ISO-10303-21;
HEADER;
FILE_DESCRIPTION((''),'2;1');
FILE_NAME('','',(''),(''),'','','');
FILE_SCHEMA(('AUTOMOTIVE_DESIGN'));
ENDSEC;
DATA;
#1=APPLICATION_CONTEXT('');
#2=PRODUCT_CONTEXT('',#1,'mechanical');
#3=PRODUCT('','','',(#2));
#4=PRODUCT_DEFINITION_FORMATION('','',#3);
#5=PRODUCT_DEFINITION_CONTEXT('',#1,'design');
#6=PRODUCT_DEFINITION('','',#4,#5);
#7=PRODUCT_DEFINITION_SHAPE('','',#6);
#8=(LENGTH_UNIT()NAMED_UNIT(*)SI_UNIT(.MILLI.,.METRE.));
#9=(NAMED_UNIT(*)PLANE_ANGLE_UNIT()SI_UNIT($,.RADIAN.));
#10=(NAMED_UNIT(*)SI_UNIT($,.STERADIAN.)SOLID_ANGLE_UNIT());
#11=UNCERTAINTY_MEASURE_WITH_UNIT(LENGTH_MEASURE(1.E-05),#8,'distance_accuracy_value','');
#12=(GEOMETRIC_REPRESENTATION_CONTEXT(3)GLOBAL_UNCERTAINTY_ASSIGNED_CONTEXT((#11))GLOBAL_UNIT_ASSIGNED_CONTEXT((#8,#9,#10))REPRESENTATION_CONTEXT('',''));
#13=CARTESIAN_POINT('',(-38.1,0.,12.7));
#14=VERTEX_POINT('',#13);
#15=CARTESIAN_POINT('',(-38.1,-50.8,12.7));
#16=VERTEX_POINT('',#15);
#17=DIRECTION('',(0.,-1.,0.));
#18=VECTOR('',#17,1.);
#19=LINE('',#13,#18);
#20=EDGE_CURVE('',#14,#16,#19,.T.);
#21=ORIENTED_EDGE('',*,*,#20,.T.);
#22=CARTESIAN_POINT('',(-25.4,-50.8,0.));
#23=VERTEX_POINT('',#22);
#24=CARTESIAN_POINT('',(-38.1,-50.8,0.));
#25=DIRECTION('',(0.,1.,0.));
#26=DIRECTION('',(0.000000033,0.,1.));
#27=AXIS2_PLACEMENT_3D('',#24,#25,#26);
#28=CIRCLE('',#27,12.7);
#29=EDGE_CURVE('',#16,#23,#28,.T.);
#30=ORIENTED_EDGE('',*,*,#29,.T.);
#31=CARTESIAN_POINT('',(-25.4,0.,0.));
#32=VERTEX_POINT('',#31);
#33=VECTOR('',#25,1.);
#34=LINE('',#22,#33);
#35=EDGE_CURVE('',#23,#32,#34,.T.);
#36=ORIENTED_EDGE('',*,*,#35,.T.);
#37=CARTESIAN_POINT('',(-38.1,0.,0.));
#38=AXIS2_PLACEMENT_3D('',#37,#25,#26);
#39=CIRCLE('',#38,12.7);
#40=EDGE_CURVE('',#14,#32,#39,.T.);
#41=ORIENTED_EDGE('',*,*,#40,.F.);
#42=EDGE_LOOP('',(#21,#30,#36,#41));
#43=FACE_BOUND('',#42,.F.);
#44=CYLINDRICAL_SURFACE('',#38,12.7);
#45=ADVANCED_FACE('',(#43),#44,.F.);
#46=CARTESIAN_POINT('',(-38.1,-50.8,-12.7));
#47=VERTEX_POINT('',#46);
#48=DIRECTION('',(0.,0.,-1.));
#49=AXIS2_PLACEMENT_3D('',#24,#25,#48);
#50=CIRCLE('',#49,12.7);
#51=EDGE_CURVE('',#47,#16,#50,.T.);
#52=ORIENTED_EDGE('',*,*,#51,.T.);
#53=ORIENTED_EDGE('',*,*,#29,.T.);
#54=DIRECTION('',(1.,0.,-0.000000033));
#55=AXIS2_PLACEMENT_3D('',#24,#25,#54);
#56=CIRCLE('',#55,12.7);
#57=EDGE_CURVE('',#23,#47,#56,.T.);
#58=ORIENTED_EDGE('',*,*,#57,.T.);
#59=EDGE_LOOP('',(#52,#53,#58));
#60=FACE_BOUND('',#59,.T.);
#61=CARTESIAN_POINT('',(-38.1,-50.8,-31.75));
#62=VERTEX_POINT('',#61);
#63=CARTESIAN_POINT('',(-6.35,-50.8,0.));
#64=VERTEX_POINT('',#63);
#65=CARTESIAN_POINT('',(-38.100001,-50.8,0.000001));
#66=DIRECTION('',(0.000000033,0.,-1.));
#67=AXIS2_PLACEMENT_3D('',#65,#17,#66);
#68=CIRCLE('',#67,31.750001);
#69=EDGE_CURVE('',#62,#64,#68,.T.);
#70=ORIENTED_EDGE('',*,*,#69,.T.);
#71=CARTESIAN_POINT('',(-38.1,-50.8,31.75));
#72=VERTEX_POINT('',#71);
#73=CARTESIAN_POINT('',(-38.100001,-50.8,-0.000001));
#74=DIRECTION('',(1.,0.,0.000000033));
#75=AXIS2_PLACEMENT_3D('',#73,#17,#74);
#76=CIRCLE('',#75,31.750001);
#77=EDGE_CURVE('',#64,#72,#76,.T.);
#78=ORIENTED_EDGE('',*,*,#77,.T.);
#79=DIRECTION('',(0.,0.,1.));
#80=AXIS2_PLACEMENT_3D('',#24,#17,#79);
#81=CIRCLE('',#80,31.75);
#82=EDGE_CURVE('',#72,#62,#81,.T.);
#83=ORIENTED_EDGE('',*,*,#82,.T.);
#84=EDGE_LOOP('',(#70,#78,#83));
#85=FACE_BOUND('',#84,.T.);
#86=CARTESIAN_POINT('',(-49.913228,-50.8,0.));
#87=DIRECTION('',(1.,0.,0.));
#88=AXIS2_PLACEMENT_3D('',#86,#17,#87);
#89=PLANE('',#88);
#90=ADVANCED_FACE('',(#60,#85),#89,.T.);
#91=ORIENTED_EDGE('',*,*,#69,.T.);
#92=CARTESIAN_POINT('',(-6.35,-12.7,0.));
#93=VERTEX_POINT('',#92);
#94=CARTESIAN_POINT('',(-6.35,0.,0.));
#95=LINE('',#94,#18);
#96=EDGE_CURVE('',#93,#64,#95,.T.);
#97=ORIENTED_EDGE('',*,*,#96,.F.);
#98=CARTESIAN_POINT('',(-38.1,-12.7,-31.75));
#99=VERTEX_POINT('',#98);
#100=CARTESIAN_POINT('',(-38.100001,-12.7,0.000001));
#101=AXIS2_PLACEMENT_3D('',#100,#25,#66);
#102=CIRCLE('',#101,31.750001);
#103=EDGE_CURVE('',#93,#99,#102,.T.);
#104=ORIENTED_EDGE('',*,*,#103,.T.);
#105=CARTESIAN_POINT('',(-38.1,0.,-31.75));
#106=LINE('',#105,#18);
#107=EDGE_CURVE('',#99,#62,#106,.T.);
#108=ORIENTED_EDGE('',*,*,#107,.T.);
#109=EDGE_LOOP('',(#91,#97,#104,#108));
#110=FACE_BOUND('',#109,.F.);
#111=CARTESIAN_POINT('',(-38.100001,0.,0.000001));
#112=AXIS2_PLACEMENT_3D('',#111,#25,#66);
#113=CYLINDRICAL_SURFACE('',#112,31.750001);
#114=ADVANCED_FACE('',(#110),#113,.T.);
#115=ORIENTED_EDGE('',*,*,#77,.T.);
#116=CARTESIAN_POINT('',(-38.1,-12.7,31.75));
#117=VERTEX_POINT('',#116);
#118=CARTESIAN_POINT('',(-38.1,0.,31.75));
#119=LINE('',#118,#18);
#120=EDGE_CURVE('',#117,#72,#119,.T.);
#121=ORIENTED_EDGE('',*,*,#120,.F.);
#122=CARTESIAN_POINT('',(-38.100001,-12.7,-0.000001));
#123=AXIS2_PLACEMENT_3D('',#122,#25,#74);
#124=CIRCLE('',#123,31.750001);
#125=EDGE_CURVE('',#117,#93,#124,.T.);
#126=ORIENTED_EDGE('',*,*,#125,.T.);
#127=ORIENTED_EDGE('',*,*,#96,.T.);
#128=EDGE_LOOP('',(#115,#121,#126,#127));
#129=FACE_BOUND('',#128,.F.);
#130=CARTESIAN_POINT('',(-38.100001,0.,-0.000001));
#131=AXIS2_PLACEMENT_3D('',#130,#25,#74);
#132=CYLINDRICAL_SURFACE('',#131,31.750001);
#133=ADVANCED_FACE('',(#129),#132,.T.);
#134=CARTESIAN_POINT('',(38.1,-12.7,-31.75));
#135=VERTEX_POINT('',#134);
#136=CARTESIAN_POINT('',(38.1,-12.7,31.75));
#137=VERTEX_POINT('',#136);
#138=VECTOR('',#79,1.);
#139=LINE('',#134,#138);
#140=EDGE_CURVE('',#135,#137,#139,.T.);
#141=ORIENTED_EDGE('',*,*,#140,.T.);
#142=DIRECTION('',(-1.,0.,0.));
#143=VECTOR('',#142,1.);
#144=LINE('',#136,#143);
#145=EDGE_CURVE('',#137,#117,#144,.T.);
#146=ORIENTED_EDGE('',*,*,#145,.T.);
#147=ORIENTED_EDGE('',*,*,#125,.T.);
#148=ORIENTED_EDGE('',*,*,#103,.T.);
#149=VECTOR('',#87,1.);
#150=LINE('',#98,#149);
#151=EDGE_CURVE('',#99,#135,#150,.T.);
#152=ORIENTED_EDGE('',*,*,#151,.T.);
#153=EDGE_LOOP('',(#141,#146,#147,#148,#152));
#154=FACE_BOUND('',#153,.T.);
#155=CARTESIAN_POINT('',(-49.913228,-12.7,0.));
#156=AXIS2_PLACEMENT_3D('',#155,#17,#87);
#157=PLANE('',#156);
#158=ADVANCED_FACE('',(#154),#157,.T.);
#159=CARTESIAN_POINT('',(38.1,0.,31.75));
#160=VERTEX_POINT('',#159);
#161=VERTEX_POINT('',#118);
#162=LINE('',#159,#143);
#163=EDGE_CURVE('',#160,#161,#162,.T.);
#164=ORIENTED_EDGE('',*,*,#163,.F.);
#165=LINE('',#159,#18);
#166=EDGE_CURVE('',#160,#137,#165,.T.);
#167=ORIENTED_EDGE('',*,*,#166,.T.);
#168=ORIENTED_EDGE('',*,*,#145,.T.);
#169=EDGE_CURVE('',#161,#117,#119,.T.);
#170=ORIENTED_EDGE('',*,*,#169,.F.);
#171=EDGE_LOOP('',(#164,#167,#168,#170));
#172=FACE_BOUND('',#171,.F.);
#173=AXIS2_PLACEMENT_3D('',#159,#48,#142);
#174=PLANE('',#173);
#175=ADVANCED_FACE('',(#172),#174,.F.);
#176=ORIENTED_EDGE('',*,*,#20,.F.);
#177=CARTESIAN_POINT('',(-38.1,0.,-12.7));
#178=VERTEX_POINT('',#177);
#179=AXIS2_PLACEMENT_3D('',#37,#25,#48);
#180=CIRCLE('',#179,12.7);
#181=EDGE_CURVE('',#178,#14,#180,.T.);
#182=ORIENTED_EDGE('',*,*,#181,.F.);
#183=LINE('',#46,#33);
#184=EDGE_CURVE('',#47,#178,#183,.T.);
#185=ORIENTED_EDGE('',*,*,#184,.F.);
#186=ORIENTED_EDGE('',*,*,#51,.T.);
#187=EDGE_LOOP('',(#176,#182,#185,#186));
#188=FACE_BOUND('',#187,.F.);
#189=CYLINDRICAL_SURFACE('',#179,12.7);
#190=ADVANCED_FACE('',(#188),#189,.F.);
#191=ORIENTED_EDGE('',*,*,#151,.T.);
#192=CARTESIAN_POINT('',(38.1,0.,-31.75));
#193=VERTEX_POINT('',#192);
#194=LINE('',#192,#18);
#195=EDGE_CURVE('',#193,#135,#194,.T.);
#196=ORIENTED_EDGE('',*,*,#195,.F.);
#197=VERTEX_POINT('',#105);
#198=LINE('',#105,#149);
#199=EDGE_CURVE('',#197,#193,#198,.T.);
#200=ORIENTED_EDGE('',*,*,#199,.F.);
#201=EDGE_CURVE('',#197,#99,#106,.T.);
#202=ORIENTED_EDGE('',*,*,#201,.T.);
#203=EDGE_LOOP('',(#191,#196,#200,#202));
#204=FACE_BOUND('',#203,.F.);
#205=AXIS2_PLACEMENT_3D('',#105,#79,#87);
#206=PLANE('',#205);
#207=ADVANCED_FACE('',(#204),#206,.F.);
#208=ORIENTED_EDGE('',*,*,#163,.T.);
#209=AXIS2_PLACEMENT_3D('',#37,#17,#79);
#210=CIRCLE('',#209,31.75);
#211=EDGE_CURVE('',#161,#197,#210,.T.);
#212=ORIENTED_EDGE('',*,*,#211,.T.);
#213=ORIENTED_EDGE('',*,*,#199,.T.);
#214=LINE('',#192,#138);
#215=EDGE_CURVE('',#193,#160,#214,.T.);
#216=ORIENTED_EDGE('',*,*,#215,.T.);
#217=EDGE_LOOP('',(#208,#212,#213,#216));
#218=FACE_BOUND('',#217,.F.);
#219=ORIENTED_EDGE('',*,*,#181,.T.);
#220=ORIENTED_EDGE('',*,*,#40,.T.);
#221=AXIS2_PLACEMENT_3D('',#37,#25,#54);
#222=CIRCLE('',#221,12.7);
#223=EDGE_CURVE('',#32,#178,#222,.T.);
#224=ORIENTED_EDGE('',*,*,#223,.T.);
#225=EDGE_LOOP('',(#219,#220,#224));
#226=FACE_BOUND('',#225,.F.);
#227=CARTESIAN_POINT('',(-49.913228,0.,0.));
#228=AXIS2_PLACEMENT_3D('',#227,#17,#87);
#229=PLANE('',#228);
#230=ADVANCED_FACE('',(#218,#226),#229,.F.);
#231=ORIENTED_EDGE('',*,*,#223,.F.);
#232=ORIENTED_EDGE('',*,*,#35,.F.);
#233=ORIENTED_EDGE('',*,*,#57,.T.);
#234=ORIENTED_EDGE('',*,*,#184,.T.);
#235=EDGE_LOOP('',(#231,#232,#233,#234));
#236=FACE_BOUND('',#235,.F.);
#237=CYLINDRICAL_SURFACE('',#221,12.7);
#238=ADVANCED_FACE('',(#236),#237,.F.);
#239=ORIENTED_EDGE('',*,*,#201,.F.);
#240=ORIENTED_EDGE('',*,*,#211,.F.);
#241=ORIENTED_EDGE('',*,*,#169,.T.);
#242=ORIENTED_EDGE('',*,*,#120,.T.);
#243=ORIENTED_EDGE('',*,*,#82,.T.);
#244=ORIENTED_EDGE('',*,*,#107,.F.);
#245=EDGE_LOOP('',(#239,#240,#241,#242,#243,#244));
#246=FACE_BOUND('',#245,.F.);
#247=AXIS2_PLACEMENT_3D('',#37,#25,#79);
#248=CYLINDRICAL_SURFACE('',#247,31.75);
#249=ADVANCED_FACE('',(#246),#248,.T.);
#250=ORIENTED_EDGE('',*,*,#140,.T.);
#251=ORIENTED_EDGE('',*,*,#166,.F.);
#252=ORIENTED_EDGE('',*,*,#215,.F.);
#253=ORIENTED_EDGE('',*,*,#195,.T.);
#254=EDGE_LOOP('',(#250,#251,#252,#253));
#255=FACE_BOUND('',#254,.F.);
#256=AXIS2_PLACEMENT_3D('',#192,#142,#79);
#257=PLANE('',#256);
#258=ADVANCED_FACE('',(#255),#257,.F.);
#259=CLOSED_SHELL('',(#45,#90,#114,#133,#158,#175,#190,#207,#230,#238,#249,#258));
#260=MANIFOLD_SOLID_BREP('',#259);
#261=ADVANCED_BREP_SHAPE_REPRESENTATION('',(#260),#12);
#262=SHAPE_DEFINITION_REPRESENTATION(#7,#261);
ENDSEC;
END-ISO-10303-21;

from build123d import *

# Parameters (mm, degrees)
F1_DEPTH = 12.7
F2_DEPTH = 50.8


with BuildPart() as f1:
    # F0 (on Front) → F1 (new body)
    with BuildSketch(Plane.XZ):
        with BuildLine():
            ThreePointArc((-38.1, 31.75), (-69.85, 0), (-38.1, -31.75))
            Line((-38.1, -31.75), (-38.1, -12.7))
            ThreePointArc((-38.1, -12.7), (-50.8, 0), (-38.1, 12.7))
            Line((-38.1, 12.7), (-38.1, 31.75))
        make_face()
        with BuildLine():
            ThreePointArc((-6.35, 0), (-15.64936, -22.45064), (-38.1, -31.75))
            Line((-38.1, -31.75), (38.1, -31.75))
            Line((38.1, -31.75), (38.1, 31.75))
            Line((38.1, 31.75), (-38.1, 31.75))
            ThreePointArc((-38.1, 31.75), (-15.64936, 22.45064), (-6.35, 0))
        make_face()
        with BuildLine():
            Line((-38.1, -12.7), (-38.1, -31.75))
            ThreePointArc((-38.1, -31.75), (-15.64936, -22.45064), (-6.35, 0))
            ThreePointArc((-6.35, 0), (-15.64936, 22.45064), (-38.1, 31.75))
            Line((-38.1, 31.75), (-38.1, 12.7))
            ThreePointArc((-38.1, 12.7), (-29.119744, 8.980256), (-25.4, 0))
            ThreePointArc((-25.4, 0), (-29.119744, -8.980256), (-38.1, -12.7))
        make_face()
    extrude(amount=F1_DEPTH)

    # F0 (on Front) → F2 (join)
    with BuildSketch(Plane.XZ):
        with BuildLine():
            ThreePointArc((-38.1, 31.75), (-69.85, 0), (-38.1, -31.75))
            Line((-38.1, -31.75), (-38.1, -12.7))
            ThreePointArc((-38.1, -12.7), (-50.8, 0), (-38.1, 12.7))
            Line((-38.1, 12.7), (-38.1, 31.75))
        make_face()
        with BuildLine():
            Line((-38.1, -12.7), (-38.1, -31.75))
            ThreePointArc((-38.1, -31.75), (-15.64936, -22.45064), (-6.35, 0))
            ThreePointArc((-6.35, 0), (-15.64936, 22.45064), (-38.1, 31.75))
            Line((-38.1, 31.75), (-38.1, 12.7))
            ThreePointArc((-38.1, 12.7), (-29.119744, 8.980256), (-25.4, 0))
            ThreePointArc((-25.4, 0), (-29.119744, -8.980256), (-38.1, -12.7))
        make_face()
    extrude(amount=F2_DEPTH)


solid = f1.part
